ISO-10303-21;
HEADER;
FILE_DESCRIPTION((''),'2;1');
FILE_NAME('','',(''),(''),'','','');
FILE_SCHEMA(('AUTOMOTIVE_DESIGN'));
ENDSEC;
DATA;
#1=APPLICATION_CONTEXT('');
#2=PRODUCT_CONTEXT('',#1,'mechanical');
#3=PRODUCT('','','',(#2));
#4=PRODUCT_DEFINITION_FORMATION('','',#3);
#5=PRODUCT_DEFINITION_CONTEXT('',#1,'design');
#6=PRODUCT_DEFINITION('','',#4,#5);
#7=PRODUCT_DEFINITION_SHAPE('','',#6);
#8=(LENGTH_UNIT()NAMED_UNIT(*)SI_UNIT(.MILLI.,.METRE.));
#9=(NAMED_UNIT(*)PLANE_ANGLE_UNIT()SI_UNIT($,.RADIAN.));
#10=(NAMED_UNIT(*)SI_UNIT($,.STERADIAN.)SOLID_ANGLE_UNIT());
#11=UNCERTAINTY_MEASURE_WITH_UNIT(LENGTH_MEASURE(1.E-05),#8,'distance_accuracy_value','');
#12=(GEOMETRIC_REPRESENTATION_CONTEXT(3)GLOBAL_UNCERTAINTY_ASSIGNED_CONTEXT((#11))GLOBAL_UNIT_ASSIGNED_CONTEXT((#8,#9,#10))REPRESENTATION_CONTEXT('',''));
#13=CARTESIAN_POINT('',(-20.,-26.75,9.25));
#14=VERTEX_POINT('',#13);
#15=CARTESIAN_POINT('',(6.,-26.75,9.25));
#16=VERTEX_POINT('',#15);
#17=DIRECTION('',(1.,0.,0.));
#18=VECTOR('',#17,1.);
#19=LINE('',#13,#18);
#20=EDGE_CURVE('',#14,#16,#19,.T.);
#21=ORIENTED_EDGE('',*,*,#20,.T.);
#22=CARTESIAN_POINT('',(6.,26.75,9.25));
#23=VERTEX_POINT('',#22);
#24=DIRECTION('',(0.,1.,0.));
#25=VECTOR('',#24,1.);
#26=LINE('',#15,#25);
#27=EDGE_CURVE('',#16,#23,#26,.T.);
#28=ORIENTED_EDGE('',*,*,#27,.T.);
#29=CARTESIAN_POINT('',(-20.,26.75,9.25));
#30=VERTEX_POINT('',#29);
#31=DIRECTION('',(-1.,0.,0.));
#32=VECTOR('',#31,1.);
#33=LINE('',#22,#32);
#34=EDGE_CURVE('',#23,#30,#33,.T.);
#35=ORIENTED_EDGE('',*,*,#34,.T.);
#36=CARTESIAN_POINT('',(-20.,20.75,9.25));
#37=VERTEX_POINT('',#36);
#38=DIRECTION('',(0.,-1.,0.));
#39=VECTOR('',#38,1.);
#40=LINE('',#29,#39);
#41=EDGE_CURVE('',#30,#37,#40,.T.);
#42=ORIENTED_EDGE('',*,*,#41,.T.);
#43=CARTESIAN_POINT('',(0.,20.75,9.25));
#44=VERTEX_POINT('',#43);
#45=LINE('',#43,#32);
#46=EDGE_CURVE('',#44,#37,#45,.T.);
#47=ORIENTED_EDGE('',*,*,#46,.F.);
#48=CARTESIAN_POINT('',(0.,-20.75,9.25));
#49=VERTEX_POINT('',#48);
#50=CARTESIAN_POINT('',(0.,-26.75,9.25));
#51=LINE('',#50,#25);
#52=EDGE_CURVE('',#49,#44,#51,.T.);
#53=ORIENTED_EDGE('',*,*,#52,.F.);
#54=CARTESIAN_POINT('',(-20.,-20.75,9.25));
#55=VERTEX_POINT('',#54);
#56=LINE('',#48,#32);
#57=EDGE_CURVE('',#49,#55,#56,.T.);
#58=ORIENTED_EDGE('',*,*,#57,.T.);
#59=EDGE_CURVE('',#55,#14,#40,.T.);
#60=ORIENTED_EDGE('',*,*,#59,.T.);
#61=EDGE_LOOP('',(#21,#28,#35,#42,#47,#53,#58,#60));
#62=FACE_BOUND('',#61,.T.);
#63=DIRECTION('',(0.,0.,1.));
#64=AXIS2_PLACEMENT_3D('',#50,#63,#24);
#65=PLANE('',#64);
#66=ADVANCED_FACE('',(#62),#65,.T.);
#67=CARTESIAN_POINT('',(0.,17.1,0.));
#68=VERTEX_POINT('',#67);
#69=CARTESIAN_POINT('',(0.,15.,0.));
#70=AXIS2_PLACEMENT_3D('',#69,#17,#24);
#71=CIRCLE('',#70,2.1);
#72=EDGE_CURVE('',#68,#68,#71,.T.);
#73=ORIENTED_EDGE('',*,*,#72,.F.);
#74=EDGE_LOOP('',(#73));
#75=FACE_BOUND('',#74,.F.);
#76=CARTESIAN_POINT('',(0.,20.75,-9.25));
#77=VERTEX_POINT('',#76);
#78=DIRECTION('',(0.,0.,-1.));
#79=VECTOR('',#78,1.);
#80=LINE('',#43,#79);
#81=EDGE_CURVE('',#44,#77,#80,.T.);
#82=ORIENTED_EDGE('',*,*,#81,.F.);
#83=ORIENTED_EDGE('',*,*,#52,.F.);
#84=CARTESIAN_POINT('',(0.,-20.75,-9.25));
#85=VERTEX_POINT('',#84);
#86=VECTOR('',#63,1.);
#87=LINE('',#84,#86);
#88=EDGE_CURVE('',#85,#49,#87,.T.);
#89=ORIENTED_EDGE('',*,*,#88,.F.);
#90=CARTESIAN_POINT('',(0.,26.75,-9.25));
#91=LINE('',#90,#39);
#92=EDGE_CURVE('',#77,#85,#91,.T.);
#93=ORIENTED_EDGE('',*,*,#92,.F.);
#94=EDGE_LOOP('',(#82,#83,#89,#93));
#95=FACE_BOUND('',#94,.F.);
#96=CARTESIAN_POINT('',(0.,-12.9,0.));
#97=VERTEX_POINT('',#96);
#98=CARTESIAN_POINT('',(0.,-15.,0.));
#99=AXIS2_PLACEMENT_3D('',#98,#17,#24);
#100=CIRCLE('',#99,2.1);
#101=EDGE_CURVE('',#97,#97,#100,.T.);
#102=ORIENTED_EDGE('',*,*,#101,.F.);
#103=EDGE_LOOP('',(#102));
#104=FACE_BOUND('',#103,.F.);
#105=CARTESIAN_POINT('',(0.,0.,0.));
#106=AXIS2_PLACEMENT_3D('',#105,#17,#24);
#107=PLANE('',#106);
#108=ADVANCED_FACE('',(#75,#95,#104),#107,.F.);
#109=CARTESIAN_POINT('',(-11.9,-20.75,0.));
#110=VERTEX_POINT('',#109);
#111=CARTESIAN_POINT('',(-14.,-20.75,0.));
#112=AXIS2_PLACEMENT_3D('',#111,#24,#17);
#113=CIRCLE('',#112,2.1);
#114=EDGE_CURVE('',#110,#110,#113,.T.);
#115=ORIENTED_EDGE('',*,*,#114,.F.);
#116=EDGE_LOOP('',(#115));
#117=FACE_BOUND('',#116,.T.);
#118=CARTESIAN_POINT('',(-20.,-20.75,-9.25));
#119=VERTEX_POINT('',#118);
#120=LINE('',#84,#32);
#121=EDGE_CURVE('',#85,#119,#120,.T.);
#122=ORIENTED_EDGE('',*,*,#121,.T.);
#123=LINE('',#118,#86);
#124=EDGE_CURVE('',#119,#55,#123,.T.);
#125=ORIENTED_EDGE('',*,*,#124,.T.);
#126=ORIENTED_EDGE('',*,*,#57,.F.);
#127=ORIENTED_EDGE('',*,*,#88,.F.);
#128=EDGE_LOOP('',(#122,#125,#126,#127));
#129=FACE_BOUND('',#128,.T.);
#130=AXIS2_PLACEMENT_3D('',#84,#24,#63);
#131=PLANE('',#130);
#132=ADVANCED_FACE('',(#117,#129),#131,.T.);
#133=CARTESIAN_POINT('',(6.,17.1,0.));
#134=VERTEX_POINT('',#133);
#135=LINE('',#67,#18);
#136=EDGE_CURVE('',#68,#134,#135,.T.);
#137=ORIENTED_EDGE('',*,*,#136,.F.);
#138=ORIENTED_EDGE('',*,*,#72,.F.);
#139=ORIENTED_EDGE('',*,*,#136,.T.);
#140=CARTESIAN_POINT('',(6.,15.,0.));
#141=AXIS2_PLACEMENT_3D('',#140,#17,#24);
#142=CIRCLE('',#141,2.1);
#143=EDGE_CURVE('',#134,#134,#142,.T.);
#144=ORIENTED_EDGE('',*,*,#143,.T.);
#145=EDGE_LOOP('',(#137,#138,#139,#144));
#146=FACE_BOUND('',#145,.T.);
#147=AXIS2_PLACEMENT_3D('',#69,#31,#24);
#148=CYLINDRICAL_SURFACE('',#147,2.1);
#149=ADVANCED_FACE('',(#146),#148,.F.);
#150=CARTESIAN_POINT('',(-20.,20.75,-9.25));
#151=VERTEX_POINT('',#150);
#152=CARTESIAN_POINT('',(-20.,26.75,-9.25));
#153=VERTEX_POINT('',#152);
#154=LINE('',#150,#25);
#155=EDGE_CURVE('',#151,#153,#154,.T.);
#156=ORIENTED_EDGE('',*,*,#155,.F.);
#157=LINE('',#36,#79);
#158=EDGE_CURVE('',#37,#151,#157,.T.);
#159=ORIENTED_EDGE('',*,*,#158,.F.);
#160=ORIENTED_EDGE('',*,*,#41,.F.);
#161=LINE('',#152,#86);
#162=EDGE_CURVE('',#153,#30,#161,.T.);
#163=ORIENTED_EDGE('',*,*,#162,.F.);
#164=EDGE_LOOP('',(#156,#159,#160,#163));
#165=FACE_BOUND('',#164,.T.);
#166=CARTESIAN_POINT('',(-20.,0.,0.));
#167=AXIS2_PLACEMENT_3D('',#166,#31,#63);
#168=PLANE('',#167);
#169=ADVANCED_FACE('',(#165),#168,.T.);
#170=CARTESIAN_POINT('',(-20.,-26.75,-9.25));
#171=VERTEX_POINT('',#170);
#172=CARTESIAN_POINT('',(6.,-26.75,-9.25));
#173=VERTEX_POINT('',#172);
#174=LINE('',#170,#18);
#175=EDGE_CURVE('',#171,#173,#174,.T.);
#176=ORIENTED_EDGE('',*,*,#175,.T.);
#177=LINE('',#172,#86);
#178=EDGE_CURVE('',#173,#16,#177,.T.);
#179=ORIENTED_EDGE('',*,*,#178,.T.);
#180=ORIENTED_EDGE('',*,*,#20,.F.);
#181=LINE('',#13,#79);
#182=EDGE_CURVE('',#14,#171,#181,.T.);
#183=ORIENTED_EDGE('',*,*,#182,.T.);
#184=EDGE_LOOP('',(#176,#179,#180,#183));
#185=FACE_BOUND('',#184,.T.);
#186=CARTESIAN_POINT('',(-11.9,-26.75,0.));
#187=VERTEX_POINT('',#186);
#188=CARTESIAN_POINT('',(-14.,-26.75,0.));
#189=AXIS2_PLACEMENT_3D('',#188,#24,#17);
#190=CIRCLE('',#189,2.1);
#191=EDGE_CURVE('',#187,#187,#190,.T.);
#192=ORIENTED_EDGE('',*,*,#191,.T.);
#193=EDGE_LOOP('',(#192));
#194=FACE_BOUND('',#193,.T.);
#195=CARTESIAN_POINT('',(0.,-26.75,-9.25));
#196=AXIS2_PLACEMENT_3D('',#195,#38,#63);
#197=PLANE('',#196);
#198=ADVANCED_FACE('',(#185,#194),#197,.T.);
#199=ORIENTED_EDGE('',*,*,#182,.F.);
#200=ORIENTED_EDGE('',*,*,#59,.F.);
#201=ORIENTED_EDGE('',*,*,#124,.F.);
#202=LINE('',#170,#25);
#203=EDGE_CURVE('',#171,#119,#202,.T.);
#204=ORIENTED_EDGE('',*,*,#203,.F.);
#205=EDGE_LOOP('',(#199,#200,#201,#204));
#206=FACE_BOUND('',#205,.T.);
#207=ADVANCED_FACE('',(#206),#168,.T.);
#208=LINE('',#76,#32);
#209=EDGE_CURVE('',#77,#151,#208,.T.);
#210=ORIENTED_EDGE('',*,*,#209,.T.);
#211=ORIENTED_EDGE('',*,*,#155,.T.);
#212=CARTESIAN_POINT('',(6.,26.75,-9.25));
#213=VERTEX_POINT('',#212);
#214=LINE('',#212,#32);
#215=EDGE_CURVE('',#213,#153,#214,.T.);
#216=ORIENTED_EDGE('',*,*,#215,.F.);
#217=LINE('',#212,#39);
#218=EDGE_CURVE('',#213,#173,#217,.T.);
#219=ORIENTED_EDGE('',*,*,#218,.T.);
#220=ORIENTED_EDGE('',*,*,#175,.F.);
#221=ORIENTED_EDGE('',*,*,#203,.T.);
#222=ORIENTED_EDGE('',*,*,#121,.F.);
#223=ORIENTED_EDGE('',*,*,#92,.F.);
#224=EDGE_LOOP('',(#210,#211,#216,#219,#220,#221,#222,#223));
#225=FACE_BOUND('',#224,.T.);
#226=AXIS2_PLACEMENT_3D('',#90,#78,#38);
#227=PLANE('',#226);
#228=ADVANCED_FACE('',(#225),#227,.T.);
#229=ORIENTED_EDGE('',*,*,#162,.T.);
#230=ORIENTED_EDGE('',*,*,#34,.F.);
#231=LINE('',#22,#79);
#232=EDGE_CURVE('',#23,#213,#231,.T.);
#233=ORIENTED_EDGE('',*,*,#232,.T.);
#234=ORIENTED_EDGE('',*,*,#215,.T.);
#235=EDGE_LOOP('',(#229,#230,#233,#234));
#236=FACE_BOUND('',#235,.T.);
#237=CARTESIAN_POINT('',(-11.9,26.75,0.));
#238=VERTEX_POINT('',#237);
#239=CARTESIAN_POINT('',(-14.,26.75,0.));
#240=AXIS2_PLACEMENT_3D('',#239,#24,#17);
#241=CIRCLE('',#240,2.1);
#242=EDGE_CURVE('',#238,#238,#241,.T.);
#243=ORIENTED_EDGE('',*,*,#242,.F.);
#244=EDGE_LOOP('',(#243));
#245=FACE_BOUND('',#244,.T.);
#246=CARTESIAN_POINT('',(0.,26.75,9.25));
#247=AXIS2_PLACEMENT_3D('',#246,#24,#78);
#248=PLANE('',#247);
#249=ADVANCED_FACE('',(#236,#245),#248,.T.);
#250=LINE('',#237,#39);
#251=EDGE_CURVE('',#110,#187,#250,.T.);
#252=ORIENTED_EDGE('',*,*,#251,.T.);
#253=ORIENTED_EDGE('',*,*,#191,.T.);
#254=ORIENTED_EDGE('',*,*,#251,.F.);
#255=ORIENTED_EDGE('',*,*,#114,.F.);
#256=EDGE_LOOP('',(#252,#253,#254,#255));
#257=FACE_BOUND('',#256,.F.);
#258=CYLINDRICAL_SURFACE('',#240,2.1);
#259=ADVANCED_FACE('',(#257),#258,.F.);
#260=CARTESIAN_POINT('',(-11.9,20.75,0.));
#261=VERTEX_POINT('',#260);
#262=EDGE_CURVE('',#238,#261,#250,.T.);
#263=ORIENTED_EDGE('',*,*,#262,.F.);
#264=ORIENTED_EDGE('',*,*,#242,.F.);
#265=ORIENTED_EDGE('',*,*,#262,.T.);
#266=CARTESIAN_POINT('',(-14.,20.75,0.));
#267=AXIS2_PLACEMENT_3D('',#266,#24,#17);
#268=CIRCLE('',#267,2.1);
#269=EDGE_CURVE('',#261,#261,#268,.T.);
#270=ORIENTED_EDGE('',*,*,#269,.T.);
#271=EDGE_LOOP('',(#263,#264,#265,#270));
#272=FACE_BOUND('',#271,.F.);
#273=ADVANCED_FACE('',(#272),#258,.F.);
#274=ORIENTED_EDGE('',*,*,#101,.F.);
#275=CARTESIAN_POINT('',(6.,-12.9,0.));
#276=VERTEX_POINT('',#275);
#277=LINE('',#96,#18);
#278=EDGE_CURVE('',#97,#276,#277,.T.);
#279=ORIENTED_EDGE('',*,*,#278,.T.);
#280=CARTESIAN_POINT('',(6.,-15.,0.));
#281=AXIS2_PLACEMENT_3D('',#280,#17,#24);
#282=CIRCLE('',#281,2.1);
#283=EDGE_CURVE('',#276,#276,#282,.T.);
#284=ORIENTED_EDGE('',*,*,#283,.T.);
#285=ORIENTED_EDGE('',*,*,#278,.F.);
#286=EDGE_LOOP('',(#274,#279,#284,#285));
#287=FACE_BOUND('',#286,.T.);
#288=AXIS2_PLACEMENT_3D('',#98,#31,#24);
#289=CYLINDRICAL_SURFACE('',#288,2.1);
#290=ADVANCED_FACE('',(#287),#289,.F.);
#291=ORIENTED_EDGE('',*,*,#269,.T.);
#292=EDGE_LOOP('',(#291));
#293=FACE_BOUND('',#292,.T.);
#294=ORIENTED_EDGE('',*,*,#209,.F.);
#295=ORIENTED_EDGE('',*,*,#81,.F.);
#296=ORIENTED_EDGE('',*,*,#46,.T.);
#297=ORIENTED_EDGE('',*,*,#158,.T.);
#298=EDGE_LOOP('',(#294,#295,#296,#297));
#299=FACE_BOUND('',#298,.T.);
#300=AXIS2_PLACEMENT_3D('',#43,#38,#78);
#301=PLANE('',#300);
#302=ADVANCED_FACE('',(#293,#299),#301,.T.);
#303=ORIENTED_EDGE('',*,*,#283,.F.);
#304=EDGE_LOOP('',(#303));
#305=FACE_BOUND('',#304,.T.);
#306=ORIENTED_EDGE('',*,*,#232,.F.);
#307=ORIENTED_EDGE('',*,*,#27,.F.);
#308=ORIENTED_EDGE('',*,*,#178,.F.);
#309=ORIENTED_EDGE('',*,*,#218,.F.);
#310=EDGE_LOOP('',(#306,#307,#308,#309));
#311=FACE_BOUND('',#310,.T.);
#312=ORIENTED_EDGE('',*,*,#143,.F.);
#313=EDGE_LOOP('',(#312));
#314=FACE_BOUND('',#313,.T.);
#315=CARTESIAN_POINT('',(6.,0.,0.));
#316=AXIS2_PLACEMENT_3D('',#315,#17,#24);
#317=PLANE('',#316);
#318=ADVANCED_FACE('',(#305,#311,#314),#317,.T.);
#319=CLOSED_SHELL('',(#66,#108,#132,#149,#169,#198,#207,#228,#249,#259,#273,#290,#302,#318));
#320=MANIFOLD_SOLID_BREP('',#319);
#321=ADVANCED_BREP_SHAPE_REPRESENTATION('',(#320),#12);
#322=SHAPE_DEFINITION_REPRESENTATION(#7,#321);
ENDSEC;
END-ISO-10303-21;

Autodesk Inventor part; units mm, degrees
ref_plane "YZ Plane" through (0, 0, 0) normal (1, 0, 0) x (0, 1, 0)
ref_plane "XZ Plane" through (0, 0, 0) normal (0, 1, 0) x (-1, 0, 0)
ref_plane "XY Plane" through (0, 0, 0) normal (0, 0, 1) x (1, 0, 0)
sketch "Sketch1" plane through (0, 0, 0) normal (1, 0, 0) x (0, 1, 0)
  line L0 (-26.75, 9.25) -> (26.75, 9.25)
  line L1 (26.75, 9.25) -> (26.75, -9.25)
  line L2 (26.75, -9.25) -> (-26.75, -9.25)
  line L3 (-26.75, -9.25) -> (-26.75, 9.25)
  line L4 (-26.75, 9.25) -> (26.75, -9.25) construction
  line L5 (26.75, 9.25) -> (-26.75, -9.25) construction
  circle A0 centre (15, 0) radius 2.1
  circle A1 centre (-15, 0) radius 2.1
  point P0 (0, 0)
  dimension "d0" = 53.5
  dimension "d1" = 18.5
  dimension "d2" = 4.2
  dimension "d3" = 4.2
  dimension "d4" = 30
  dimension "d5" = 11.75
  dimension "d6" = 9.25
  dimension "d7" = 9.25
extrude "Extrusion1" add sketch "Sketch1" along normal blind 6
sketch "Sketch2" plane through (0, 0, 0) normal (-1, 0, 0) x (0, 0, 1)
  line L0 (-9.25, 26.75) -> (9.25, 26.75) projected
  line L1 (-9.25, 26.75) -> (9.25, 26.75)
  line L2 (9.25, 26.75) -> (9.25, 20.75)
  line L3 (9.25, 20.75) -> (-9.25, 20.75)
  line L4 (-9.25, 20.75) -> (-9.25, 26.75)
  line L5 (9.25, 26.75) -> (9.25, -26.75) projected
  line L6 (9.25, -26.75) -> (-9.25, -26.75)
  line L7 (-9.25, -26.75) -> (-9.25, -20.75)
  line L8 (-9.25, -20.75) -> (9.25, -20.75)
  line L9 (9.25, -20.75) -> (9.25, -26.75)
  point P0 (0, 0)
  dimension "d10" = 18.5
  dimension "d11" = 6
  dimension "d12" = 18.5
  dimension "d13" = 6
extrude "Extrusion2" add sketch "Sketch2" along normal blind 20
sketch "Sketch3" plane through (6, 26.75, 9.25) normal (0, 1, 0) x (1, 0, 0)
  circle A0 centre (-20, 9.25) radius 2.1
  line L0 (0, 0) -> (-26, 0) projected
  line L1 (0, 18.5) -> (0, 0) projected
  point P0 (-6, 9.25)
  dimension "d16" = 4.2
  dimension "d18" = 20
  dimension "d21" = 9.25
extrude "Extrusion3" cut sketch "Sketch3" against normal blind 100
equation "\"d7\" = d6"
properties part number "End Bracing" material "Aluminum 6061"
